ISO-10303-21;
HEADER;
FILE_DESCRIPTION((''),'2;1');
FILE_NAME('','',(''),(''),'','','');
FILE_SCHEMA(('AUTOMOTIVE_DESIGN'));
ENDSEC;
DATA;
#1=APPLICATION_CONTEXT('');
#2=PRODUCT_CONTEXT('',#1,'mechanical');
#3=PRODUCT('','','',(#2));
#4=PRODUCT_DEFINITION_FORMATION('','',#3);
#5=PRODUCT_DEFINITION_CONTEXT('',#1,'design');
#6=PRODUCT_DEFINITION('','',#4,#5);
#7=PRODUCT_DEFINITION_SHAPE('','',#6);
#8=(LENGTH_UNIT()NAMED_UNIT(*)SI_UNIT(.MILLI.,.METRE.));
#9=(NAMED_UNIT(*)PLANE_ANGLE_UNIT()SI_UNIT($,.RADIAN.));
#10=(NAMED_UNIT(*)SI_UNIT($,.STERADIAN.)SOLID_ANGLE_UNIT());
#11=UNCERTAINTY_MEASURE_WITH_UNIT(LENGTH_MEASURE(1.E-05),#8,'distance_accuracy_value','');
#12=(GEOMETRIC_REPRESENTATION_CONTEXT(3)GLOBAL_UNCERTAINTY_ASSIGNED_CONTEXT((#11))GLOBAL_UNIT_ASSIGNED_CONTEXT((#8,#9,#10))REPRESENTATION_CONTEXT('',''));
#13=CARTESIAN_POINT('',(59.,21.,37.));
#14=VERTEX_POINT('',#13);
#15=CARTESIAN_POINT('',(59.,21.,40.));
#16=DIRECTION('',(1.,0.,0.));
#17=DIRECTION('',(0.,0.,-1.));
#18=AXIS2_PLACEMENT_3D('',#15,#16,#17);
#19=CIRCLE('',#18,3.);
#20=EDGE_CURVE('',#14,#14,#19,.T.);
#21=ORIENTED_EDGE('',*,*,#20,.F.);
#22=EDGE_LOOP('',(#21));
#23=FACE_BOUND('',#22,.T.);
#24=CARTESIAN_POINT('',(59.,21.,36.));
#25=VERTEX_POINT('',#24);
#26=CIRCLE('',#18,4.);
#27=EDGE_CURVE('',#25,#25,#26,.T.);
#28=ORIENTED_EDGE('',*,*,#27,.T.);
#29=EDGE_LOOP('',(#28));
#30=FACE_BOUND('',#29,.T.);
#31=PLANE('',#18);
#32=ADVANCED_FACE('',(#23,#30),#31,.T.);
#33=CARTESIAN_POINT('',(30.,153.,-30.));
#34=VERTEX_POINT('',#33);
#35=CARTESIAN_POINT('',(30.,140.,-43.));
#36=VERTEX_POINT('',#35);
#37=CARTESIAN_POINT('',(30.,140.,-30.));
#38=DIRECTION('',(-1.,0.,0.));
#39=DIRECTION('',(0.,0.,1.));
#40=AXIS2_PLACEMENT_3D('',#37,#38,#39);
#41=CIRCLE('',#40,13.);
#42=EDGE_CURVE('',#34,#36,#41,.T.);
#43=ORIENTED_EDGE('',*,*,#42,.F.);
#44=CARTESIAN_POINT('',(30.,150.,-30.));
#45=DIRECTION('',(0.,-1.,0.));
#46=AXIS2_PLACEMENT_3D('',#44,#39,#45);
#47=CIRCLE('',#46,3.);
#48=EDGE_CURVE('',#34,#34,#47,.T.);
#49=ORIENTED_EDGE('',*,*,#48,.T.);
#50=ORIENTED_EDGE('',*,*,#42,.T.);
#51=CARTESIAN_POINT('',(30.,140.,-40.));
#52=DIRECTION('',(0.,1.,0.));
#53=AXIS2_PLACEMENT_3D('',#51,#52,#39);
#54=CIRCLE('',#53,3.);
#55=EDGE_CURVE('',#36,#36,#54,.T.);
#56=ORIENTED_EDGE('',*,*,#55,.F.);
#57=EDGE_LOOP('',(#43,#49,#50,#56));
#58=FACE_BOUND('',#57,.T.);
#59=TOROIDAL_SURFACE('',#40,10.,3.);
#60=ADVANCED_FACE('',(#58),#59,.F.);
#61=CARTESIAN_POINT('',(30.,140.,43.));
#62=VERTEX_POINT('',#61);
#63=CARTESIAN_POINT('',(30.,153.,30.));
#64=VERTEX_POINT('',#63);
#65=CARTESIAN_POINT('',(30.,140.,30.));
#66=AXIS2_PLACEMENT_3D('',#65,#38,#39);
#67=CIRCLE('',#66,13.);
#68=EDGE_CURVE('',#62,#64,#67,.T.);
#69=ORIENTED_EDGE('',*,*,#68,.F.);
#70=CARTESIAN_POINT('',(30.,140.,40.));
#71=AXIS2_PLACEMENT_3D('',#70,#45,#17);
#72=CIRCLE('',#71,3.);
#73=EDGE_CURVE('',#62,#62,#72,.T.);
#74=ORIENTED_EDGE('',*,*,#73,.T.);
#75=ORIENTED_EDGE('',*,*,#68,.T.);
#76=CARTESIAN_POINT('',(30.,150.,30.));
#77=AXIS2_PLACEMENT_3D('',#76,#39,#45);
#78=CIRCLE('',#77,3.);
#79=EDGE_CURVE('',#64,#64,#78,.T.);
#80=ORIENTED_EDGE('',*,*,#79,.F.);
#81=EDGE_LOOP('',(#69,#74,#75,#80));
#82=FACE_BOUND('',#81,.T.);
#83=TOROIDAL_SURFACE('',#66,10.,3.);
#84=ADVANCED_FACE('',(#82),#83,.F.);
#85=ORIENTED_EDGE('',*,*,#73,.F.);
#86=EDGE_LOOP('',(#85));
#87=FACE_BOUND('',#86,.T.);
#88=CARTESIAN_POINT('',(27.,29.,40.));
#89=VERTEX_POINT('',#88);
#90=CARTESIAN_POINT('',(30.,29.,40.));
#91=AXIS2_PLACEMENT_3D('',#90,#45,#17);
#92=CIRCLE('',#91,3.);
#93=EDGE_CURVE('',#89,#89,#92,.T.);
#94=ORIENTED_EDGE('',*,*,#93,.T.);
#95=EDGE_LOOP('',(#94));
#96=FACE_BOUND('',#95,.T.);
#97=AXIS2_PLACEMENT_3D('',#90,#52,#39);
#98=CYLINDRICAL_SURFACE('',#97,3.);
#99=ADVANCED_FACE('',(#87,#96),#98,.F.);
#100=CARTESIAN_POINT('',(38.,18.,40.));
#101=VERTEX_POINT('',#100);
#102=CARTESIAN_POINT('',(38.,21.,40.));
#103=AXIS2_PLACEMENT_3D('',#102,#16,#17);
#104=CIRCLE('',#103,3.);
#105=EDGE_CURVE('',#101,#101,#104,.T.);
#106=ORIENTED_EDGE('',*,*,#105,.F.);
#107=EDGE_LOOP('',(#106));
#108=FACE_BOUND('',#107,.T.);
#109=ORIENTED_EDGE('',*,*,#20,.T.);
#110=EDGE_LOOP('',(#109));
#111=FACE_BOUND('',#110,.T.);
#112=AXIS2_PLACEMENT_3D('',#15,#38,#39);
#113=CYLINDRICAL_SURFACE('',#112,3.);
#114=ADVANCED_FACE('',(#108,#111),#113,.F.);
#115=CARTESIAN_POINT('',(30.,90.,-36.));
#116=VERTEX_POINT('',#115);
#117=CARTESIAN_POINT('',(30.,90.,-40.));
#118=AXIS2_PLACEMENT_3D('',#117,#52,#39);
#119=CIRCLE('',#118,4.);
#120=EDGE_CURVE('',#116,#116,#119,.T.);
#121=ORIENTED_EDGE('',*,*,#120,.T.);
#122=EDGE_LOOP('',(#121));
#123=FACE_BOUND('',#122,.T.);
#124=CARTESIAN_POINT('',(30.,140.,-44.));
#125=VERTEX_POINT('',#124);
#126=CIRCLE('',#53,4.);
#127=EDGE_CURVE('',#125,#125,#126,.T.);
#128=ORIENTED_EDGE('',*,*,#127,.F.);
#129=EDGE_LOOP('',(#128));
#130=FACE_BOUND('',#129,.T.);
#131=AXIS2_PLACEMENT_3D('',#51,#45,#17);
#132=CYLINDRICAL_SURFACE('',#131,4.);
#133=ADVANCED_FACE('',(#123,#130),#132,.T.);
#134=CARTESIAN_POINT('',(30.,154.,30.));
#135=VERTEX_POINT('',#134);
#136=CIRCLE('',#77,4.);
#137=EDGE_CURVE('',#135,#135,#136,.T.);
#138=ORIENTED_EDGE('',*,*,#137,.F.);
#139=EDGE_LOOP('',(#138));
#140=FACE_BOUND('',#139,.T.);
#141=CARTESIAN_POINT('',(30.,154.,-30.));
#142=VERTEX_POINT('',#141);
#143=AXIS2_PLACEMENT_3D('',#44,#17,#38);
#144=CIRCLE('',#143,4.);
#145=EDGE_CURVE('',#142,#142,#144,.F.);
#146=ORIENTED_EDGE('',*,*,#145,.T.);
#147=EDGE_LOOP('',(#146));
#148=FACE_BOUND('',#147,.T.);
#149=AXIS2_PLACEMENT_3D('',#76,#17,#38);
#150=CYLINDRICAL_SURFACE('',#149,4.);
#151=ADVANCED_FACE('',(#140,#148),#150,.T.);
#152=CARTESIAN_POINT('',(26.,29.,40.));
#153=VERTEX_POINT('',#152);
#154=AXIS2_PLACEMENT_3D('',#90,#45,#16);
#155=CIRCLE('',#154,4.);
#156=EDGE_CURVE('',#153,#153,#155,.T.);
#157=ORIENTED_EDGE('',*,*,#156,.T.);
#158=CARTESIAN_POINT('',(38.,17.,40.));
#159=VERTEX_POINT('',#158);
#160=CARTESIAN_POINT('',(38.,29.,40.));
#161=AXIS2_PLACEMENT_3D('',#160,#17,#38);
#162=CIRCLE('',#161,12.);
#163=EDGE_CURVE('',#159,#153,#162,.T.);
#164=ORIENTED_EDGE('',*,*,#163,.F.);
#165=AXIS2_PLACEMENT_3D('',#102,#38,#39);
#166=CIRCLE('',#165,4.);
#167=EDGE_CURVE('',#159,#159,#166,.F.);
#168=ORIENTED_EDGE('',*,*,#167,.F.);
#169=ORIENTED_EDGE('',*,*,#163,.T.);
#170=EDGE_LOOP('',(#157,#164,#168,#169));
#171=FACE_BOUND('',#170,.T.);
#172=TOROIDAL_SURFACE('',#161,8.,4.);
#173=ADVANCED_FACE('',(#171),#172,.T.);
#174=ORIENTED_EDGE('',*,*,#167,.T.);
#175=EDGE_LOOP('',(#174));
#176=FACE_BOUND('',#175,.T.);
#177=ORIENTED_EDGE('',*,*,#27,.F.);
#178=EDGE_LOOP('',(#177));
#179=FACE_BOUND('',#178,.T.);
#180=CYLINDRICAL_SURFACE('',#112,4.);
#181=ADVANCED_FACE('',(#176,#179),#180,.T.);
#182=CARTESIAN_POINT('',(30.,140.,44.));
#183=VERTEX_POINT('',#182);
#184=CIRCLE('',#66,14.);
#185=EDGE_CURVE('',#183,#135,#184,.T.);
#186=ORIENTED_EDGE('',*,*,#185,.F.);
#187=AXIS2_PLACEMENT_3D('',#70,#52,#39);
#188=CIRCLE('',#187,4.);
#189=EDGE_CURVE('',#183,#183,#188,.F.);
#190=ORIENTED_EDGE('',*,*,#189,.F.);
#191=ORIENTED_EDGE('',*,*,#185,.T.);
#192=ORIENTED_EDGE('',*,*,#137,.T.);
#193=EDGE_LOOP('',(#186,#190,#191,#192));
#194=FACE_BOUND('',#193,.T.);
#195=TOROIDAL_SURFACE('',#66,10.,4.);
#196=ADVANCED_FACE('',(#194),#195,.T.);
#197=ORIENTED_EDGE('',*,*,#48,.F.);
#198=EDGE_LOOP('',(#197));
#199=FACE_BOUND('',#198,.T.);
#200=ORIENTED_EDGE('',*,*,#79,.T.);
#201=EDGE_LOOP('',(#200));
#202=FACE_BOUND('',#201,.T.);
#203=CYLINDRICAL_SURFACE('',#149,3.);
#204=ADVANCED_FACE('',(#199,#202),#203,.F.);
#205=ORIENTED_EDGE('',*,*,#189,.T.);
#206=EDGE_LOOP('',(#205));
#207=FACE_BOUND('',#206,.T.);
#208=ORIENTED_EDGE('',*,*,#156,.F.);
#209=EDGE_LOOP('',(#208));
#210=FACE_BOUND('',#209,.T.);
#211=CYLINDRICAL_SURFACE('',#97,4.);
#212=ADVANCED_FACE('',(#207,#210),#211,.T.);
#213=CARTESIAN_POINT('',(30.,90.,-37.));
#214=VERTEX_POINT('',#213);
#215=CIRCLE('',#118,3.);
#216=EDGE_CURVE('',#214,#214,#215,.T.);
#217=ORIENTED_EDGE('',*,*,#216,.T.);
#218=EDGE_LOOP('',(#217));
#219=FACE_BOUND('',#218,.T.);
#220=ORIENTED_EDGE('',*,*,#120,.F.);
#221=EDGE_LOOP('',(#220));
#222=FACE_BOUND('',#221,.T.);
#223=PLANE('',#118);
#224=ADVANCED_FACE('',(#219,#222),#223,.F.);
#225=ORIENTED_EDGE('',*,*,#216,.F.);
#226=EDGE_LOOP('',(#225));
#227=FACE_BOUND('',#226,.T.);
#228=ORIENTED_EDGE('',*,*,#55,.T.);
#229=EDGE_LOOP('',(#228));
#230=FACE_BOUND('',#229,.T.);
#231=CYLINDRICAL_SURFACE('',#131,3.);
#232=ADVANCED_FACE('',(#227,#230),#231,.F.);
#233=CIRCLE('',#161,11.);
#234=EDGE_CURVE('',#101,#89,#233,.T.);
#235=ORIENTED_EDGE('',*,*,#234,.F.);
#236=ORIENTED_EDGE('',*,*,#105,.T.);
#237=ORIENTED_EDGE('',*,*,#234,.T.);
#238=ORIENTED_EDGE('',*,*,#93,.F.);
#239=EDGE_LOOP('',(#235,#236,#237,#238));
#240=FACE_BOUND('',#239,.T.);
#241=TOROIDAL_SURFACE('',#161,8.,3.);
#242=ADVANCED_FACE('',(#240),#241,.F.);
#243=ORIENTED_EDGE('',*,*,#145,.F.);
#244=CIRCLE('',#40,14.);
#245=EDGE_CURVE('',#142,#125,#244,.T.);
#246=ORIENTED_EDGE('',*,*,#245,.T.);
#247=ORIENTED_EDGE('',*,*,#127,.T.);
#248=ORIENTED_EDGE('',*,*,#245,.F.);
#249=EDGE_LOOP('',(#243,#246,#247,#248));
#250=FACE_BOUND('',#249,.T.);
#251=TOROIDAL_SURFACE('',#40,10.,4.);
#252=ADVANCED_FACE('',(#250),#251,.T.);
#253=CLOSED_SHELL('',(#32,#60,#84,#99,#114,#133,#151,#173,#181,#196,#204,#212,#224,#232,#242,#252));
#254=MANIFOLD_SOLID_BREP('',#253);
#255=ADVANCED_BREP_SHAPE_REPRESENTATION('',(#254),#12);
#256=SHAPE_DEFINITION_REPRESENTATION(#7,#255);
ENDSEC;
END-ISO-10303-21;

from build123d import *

# Parameters (mm, degrees)
TUBE_PROFILE_R   = 4
TUBE_PROFILE_R_2 = 3


with BuildPart() as part:
    # Tube: sweep along a curve in space
    with BuildLine() as tube_path:
        Line((59, 21, 40), (38, 21, 40))
        ThreePointArc((30, 29, 40), (32.343145751, 23.343145751, 40), (38, 21, 40))
        Line((30, 29, 40), (30, 140, 40))
        ThreePointArc((30, 150, 30), (30, 147.071067812, 37.071067812), (30, 140, 40))
        Line((30, 150, 30), (30, 150, -30))
        ThreePointArc((30, 140, -40), (30, 147.071067812, -37.071067812), (30, 150, -30))
        Line((30, 140, -40), (30, 90, -40))
    # Tube profile (on start of the path) → Tube (sweep)
    with BuildSketch(Plane(origin=(59, 21, 40), x_dir=(0, 0, -1), z_dir=(-1, 0, 0))):
        Circle(TUBE_PROFILE_R)
        Circle(TUBE_PROFILE_R_2, mode=Mode.SUBTRACT)
    sweep(path=tube_path.line)


solid = part.part
